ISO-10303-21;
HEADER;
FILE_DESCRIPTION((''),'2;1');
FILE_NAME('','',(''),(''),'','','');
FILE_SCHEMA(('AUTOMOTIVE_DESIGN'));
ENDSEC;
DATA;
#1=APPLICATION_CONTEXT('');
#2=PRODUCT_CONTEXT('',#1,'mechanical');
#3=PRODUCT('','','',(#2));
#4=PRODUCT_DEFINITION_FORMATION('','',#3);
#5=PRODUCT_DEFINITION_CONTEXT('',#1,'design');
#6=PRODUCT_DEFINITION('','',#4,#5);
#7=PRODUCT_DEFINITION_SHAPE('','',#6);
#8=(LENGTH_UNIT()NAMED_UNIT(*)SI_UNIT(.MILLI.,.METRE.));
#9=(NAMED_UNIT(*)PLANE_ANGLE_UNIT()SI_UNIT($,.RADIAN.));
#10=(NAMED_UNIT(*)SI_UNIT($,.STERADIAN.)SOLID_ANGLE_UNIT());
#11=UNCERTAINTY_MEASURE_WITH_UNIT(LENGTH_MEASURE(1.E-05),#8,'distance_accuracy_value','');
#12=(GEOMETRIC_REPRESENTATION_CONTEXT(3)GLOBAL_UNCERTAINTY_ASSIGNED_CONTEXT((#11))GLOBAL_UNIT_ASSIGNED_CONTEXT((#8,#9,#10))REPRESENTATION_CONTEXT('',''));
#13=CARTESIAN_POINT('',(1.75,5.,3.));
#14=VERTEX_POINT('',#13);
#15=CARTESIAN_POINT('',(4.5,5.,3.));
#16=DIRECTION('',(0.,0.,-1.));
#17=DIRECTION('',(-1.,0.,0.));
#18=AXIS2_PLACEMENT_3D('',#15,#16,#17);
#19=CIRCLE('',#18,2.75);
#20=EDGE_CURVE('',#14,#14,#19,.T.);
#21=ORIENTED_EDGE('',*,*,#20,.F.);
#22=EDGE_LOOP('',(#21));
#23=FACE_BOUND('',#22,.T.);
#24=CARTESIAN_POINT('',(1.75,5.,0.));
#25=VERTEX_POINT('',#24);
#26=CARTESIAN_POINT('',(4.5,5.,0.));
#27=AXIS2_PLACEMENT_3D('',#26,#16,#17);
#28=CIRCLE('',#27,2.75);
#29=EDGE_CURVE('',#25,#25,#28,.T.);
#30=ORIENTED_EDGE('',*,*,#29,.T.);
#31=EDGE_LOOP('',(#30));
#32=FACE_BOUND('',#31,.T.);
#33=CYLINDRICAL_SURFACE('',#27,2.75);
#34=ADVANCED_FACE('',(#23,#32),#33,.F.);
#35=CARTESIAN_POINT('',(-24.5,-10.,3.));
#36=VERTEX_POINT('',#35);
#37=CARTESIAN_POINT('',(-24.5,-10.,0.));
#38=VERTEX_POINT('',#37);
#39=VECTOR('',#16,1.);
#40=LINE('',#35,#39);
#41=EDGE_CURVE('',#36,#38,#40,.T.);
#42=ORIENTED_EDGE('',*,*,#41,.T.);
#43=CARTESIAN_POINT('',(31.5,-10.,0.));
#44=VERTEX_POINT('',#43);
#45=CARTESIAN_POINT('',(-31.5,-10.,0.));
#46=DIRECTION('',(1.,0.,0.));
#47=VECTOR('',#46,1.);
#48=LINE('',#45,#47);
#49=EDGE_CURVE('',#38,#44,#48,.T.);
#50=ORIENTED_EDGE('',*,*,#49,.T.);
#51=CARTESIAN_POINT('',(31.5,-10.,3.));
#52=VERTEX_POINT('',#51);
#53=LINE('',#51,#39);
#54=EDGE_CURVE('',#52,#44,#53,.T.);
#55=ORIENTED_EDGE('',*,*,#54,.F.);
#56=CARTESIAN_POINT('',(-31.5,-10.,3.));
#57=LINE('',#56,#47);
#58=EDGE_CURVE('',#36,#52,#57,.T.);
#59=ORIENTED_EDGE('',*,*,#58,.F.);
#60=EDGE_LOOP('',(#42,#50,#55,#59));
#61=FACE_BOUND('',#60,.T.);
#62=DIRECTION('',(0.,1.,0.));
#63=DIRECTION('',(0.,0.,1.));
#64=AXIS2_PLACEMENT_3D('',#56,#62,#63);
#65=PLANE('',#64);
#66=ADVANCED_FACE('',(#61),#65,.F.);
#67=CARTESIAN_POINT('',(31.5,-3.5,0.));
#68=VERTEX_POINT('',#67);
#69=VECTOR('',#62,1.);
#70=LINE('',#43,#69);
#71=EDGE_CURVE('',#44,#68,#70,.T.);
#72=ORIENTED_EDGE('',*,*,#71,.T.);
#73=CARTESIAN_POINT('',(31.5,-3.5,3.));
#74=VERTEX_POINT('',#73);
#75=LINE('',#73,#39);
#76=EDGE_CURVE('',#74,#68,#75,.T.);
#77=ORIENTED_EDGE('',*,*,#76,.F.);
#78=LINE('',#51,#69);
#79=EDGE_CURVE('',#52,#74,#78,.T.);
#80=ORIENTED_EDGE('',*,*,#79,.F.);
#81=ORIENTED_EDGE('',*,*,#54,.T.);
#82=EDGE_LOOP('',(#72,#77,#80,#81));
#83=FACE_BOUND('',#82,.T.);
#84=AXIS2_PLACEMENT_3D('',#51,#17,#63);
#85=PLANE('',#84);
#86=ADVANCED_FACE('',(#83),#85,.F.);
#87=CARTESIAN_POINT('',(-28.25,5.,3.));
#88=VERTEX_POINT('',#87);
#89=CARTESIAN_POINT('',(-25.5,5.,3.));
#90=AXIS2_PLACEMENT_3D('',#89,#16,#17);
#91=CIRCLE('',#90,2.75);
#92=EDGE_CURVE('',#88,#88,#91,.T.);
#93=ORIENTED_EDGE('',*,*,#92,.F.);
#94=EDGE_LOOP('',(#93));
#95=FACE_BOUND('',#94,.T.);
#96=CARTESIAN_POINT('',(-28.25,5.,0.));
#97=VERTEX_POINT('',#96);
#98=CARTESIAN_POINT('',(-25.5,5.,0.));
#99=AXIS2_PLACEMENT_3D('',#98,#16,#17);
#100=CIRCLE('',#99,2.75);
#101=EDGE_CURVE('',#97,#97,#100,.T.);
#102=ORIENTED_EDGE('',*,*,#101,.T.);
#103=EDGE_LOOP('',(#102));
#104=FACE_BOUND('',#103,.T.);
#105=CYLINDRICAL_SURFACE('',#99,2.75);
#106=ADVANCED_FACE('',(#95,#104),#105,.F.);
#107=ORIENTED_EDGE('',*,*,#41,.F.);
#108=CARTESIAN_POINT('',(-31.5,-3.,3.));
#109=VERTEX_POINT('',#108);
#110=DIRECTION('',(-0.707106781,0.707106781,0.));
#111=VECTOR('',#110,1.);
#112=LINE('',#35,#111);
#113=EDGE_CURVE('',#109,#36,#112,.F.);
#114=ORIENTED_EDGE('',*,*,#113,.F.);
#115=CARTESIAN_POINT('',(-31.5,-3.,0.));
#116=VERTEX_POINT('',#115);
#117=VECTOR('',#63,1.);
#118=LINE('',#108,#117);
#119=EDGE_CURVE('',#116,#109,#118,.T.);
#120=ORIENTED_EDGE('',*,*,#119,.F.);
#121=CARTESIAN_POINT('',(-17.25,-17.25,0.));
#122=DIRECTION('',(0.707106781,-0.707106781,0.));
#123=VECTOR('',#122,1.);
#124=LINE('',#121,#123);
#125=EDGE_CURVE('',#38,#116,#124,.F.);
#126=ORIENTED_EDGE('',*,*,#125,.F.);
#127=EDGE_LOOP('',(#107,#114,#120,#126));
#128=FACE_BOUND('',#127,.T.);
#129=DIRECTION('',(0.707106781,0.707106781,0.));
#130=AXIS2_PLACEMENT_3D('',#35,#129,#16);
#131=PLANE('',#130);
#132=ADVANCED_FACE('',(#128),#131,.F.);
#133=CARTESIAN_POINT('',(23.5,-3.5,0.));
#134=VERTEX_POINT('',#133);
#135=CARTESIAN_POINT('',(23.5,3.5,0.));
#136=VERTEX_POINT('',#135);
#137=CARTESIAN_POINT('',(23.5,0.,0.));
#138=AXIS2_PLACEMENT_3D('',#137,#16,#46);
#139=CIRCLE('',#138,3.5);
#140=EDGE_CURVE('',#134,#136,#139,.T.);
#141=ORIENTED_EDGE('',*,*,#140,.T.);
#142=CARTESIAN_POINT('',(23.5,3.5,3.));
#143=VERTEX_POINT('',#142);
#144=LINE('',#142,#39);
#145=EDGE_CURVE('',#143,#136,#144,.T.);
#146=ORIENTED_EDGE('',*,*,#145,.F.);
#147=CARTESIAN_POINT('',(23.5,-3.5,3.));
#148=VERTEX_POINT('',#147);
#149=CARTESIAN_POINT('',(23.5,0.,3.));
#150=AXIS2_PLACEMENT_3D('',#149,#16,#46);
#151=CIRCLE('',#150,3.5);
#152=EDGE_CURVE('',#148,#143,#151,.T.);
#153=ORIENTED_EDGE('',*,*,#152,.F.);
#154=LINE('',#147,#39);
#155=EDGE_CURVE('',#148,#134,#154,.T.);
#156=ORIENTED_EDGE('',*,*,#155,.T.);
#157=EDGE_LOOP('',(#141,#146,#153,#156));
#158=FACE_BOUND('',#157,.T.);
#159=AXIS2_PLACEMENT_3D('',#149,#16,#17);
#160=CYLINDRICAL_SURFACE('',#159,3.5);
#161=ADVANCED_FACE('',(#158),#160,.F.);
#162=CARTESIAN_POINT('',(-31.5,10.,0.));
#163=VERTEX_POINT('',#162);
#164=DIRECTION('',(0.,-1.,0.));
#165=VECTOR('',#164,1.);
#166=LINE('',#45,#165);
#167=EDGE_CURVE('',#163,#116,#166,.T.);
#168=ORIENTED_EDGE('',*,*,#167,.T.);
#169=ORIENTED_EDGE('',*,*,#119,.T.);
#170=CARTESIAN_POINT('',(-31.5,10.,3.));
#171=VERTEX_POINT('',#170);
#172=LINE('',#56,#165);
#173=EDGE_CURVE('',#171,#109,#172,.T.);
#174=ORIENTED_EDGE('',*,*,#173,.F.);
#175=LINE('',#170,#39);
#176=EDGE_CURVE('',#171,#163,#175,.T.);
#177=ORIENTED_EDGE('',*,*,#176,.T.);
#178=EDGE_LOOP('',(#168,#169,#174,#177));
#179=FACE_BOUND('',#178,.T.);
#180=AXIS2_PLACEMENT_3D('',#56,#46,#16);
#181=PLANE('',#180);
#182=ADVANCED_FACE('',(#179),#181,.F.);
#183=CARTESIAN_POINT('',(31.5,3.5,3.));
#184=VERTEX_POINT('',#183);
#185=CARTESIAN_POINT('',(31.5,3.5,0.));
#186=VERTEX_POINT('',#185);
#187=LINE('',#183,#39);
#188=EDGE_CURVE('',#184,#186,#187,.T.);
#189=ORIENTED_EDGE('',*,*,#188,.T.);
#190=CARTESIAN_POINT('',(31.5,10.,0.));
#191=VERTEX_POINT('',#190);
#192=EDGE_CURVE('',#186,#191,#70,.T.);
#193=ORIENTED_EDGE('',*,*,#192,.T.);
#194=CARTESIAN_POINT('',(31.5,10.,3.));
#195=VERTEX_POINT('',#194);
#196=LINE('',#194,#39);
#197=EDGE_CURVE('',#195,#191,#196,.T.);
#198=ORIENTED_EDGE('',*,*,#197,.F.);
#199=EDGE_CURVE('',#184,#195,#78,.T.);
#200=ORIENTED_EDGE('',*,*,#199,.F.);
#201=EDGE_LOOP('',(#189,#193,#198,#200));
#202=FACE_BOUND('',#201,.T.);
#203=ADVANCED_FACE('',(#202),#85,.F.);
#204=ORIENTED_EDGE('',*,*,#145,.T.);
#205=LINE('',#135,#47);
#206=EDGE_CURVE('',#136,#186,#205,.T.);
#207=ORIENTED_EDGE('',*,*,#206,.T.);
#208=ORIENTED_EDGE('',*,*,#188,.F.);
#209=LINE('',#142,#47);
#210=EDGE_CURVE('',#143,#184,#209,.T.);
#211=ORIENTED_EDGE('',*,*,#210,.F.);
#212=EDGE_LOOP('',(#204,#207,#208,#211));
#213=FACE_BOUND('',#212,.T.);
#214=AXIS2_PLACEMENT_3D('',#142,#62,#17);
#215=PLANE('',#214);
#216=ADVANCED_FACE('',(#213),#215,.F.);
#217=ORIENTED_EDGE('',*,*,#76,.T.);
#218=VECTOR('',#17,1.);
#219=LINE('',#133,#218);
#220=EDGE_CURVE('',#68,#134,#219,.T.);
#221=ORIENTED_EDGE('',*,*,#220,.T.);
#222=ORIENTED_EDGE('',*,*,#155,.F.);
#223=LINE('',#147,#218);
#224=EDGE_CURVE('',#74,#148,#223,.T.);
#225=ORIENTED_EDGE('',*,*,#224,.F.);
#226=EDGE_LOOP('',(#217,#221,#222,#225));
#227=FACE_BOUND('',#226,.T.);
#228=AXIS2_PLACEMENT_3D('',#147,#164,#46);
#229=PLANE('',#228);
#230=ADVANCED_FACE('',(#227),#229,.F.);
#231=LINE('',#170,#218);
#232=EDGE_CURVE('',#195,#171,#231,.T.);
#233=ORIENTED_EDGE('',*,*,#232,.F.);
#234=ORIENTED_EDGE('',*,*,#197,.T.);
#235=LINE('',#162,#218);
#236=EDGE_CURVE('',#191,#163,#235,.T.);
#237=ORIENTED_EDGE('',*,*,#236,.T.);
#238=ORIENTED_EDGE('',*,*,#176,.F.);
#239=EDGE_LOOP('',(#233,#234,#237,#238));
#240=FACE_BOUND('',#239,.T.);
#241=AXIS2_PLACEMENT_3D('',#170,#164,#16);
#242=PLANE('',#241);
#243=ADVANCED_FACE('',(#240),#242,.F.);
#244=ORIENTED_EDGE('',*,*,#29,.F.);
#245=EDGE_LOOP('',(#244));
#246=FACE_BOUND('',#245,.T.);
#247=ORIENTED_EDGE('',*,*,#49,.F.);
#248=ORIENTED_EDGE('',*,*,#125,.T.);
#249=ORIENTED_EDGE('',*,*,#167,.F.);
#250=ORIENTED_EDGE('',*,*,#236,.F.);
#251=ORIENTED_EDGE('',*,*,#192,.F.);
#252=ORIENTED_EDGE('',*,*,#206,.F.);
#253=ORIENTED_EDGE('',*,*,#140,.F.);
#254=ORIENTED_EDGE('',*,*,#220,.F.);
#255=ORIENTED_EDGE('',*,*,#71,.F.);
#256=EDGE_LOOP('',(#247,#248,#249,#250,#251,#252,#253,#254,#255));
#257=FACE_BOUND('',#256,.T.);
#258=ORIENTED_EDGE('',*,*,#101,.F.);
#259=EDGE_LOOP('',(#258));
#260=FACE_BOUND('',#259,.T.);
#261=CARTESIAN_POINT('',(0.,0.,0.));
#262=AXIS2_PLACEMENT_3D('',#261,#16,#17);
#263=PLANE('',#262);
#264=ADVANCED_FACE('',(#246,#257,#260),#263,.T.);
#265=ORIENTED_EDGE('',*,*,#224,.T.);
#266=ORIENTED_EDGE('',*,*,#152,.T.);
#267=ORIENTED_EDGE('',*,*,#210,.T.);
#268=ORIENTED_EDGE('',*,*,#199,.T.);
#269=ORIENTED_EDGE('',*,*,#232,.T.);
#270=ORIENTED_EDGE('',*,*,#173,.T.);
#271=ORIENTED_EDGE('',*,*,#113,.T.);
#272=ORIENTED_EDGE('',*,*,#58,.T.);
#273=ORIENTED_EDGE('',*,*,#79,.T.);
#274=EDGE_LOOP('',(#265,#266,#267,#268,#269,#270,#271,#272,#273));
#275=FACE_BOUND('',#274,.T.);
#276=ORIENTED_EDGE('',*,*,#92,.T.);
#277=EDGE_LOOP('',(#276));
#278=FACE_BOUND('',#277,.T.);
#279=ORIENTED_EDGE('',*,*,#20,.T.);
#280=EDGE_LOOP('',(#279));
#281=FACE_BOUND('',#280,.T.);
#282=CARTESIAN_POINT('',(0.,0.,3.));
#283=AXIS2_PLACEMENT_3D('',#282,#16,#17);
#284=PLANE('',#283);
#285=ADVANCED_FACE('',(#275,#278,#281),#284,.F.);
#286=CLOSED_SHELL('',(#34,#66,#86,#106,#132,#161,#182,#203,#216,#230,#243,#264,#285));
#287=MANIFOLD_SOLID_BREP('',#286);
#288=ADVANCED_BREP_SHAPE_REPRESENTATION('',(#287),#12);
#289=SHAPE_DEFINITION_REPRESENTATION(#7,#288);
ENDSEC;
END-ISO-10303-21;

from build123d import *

# Parameters (mm, degrees)
SKETCH_1_W          = 63
SKETCH_1_H          = 20
EXTRUDE_1_DEPTH     = 3
HOLE_WIZARD_M5_1_D  = 5.5
CUT_EXTRUDE_1_DEPTH = 34.185087012
CHAMFER_1_SIZE      = 7


with BuildPart() as part:
    # 草图1 → 凸台-拉伸1 (new body)
    with BuildSketch(Plane.XY):
        Rectangle(SKETCH_1_W, SKETCH_1_H)
    extrude(amount=EXTRUDE_1_DEPTH)

    # M5 间隙孔1 (through all)
    with Locations(Plane(origin=(0, 0, 0), x_dir=(-1, 0, 0), z_dir=(0, 0, -1))):
        with Locations((25.5, 5), (-4.5, 5)):
            Hole(HOLE_WIZARD_M5_1_D / 2)

    # 草图5 → 切除-拉伸1 (cut, through all)
    with BuildSketch(Plane(origin=(0, 0, 0), x_dir=(-1, 0, 0), z_dir=(0, 0, -1))):
        with BuildLine():
            Line((-23.5, 3.5), (-31.5, 3.5))
            Line((-31.5, 3.5), (-31.5, -3.5))
            Line((-31.5, -3.5), (-23.5, -3.5))
            ThreePointArc((-23.5, -3.5), (-20, 0), (-23.5, 3.5))
        make_face()
    extrude(amount=-CUT_EXTRUDE_1_DEPTH, mode=Mode.SUBTRACT)

    # 倒角1
    chamfer_1_edges = [part.edges().sort_by_distance(p)[0] for p in [
        (-31.5, -10, 1.5),
    ]]
    chamfer(chamfer_1_edges, length=CHAMFER_1_SIZE)


solid = part.part
